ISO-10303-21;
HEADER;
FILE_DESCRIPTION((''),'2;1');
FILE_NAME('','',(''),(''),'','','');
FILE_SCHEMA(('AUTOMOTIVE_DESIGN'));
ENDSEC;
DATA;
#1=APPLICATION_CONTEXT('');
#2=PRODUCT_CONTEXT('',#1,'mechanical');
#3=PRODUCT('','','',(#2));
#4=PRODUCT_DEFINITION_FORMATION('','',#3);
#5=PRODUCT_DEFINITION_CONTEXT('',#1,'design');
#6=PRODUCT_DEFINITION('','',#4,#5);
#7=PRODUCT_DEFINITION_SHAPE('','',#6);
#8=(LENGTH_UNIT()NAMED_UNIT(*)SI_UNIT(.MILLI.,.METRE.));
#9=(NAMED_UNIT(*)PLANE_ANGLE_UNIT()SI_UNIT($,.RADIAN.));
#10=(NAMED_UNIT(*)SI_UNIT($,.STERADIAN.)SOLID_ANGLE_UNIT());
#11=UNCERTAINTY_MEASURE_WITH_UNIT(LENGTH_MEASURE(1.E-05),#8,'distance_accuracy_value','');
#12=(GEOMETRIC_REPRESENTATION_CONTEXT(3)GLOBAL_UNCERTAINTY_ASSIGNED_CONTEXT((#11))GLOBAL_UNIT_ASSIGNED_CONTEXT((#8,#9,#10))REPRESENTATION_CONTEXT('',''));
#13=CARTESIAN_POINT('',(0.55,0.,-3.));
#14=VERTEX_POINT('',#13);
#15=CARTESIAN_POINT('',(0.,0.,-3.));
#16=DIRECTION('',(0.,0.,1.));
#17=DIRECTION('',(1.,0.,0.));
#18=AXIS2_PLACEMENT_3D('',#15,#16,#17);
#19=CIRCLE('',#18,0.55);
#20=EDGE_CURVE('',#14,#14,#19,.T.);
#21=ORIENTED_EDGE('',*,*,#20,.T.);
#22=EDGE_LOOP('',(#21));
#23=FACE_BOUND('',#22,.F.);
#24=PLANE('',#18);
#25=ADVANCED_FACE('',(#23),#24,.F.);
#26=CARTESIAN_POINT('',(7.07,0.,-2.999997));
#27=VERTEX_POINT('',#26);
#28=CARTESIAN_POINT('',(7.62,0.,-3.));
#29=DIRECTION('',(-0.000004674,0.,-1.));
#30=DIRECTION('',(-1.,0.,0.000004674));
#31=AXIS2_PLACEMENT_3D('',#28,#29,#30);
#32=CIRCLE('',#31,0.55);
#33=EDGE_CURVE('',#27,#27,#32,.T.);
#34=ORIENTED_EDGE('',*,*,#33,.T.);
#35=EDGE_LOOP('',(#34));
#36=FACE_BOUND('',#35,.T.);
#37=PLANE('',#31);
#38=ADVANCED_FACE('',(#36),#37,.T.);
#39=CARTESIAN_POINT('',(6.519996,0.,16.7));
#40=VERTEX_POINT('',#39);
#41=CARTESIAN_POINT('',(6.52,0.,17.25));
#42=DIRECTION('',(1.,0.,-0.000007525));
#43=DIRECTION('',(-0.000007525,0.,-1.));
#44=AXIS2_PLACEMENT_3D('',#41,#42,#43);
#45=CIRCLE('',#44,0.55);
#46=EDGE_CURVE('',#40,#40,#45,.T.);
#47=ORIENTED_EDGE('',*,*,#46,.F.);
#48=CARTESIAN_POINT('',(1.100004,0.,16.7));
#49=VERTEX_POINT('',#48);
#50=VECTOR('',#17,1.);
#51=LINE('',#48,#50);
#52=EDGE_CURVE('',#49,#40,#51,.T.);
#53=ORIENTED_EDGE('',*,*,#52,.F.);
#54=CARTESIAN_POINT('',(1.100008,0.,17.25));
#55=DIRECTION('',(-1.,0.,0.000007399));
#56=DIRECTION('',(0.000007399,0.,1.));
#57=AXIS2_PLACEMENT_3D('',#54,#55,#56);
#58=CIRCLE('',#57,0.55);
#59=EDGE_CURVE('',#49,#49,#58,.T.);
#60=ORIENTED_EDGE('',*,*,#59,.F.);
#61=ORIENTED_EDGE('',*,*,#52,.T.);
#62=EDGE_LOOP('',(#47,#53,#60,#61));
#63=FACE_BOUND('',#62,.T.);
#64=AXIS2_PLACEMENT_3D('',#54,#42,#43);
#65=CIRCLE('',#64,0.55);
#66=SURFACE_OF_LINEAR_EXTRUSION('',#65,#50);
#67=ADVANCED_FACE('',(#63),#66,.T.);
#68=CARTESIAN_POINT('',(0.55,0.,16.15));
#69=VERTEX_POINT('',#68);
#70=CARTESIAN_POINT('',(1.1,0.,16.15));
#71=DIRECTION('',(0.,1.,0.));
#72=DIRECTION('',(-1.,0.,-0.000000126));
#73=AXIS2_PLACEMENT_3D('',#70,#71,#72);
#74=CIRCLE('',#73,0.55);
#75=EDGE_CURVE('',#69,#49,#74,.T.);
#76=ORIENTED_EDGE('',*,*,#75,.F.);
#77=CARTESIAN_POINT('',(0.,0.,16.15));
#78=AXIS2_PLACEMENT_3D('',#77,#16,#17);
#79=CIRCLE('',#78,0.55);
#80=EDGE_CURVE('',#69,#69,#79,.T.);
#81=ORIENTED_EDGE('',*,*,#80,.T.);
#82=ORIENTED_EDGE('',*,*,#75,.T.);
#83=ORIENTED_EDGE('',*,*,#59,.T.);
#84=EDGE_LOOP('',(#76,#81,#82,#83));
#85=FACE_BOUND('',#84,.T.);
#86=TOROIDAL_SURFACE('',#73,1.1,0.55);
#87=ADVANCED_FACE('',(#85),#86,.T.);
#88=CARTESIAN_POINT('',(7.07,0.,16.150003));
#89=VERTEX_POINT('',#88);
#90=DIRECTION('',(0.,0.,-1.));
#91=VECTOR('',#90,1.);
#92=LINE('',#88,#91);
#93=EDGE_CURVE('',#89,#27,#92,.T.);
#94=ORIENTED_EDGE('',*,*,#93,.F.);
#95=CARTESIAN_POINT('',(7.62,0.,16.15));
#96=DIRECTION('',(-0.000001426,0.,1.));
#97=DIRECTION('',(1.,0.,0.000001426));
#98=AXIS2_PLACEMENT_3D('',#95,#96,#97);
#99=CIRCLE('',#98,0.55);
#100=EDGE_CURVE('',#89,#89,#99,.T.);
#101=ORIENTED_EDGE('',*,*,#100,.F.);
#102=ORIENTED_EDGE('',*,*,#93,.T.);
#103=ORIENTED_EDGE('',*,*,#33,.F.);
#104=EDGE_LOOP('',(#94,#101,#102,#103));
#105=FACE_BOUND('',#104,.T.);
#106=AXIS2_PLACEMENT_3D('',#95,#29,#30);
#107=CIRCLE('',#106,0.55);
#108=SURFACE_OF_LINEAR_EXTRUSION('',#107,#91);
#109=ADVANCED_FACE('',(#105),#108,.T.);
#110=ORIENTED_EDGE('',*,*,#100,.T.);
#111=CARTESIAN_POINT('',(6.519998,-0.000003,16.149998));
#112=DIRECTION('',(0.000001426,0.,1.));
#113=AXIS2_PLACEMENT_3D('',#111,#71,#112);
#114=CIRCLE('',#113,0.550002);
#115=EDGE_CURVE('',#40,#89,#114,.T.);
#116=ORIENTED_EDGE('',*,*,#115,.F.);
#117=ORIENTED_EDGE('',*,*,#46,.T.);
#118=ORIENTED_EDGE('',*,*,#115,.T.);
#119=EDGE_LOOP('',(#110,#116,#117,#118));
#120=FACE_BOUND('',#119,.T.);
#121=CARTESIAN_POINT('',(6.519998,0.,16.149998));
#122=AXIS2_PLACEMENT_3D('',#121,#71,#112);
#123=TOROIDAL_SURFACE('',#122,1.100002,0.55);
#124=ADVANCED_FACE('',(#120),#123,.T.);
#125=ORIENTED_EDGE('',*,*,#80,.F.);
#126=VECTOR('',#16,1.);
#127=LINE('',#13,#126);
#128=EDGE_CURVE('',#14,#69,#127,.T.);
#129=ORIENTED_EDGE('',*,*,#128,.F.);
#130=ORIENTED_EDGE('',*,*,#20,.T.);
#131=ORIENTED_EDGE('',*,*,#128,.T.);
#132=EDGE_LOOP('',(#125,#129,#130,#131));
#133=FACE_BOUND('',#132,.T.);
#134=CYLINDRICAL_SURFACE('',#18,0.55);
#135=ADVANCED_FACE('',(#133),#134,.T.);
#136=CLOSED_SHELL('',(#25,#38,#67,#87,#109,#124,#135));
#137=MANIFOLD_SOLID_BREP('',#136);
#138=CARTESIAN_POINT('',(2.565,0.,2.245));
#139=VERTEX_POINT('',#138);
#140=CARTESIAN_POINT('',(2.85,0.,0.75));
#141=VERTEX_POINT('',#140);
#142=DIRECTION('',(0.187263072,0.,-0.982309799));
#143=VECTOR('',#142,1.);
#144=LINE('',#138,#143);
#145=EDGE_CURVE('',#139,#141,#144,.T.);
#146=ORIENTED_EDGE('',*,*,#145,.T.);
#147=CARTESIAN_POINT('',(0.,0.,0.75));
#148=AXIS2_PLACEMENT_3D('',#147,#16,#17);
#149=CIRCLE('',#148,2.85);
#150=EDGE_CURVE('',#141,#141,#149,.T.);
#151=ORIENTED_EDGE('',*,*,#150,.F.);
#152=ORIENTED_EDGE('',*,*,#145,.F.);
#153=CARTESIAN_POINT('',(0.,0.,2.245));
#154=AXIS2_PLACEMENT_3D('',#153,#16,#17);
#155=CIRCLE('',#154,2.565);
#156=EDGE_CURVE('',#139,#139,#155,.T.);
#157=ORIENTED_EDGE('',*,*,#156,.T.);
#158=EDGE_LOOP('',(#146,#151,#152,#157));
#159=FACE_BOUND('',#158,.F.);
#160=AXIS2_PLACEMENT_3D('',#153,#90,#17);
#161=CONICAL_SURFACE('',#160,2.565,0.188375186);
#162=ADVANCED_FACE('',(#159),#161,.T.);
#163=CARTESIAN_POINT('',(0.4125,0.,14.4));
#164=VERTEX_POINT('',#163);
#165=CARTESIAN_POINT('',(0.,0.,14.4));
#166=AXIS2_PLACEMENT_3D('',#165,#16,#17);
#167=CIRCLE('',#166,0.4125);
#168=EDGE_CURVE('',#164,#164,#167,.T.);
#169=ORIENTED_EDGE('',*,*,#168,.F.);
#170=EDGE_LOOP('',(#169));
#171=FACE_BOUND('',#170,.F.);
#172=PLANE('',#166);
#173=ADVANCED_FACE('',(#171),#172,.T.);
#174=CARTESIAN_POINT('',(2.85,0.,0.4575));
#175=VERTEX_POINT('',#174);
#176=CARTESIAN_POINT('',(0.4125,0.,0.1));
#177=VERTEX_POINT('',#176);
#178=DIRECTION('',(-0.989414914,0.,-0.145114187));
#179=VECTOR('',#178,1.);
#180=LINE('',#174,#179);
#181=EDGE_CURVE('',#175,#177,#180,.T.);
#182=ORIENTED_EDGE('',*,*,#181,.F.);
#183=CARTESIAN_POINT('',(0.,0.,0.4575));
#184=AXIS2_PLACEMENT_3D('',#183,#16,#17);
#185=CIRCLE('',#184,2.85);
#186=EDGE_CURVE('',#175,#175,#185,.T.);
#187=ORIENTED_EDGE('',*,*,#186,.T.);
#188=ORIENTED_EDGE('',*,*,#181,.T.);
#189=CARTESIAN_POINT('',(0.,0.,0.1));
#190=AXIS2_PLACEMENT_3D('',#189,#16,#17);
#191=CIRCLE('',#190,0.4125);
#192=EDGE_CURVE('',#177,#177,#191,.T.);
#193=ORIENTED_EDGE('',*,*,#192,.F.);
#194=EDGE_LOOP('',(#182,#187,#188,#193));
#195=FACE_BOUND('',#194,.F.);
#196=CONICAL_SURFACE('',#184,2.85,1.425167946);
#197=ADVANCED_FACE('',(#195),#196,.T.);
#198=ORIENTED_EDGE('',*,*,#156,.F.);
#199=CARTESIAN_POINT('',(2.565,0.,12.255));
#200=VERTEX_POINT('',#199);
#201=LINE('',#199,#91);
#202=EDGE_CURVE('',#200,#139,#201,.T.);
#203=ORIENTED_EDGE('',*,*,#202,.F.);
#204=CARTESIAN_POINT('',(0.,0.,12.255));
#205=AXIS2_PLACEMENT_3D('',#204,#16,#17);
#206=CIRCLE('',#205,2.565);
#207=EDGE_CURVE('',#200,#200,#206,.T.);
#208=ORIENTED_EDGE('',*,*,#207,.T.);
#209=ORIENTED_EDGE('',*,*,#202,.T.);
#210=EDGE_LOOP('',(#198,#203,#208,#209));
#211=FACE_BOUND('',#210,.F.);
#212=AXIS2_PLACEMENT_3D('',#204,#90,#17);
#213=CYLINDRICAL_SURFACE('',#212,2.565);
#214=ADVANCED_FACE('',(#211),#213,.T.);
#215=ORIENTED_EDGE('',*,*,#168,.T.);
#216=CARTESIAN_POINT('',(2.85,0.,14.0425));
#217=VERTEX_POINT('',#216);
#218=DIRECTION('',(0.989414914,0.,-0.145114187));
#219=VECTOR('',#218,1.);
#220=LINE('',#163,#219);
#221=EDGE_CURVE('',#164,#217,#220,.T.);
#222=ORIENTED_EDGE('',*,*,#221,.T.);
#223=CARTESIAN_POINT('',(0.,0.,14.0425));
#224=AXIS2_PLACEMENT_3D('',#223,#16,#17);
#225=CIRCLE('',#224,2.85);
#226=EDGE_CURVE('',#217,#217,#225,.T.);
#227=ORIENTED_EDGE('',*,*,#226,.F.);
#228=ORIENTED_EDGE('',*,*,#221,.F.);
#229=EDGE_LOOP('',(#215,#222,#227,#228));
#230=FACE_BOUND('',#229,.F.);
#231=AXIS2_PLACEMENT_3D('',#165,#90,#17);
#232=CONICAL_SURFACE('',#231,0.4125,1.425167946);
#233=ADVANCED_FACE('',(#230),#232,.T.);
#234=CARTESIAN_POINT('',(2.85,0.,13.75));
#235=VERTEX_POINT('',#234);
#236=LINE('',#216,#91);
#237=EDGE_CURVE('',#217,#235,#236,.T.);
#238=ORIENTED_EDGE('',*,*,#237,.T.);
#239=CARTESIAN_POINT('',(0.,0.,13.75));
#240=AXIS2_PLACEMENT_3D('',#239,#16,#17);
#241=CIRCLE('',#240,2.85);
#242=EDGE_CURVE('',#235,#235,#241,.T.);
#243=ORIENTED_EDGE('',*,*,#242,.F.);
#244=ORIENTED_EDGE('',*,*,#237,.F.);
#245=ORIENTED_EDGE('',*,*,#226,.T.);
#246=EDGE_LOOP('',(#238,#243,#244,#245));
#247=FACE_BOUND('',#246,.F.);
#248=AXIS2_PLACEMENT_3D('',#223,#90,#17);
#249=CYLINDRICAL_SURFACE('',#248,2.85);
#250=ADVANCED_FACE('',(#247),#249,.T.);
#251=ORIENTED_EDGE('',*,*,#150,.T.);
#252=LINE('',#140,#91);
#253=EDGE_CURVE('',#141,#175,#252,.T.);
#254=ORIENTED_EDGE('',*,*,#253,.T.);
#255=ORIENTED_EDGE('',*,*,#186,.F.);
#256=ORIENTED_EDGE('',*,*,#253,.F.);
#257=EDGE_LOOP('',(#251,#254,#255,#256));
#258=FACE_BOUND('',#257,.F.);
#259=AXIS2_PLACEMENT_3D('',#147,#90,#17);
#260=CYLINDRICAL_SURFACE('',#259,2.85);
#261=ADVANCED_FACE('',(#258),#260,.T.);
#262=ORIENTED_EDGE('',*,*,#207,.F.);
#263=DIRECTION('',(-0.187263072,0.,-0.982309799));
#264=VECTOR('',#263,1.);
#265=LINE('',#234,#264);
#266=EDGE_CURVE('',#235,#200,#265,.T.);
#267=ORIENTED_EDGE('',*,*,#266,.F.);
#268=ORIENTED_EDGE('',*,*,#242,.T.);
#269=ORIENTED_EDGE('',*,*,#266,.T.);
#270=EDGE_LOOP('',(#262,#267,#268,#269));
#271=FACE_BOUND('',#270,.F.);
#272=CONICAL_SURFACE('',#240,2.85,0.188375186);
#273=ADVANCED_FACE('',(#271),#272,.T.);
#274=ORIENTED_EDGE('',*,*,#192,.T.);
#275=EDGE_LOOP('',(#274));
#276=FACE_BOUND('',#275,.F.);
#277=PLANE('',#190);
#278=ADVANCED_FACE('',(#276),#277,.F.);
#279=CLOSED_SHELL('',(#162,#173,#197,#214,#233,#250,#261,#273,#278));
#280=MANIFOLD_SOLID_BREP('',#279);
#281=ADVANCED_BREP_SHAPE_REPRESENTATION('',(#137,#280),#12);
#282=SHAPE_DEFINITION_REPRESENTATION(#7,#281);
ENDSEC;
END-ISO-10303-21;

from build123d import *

# Parameters (mm, degrees)
SKETCH_R = 0.55


with BuildPart() as sweep_body:
    # Sweep: sweep along a path in Sketch001
    with BuildLine(Plane.XZ) as sweep_path:
        Line((0, -3), (0, 16.15))
        ThreePointArc((0, 16.15), (0.322185, 16.92782), (1.100008, 17.25))
        Line((1.100008, 17.25), (6.52, 17.25))
        ThreePointArc((6.52, 17.25), (7.297817, 16.927817), (7.62, 16.15))
        Line((7.62, 16.15), (7.62, -3))
    # Sketch → Sweep (sweep)
    with BuildSketch(Plane.XY.offset(-2)):
        Circle(SKETCH_R)
    sweep(path=sweep_path.line)


with BuildPart() as revolution:
    # Sketch002 → Revolution (revolve)
    with BuildSketch(Plane.XZ):
        Polygon((0, 0.1), (0, 14.4), (0.4125, 14.4), (2.85, 14.0425), (2.85, 13.75), (2.565, 12.255), (2.565, 2.245), (2.85, 0.75), (2.85, 0.4575), (0.4125, 0.1), align=None)
    revolve(axis=Axis((0, 0, 0), (0, 0, 1)))


solid = Compound([sweep_body.part, revolution.part])
